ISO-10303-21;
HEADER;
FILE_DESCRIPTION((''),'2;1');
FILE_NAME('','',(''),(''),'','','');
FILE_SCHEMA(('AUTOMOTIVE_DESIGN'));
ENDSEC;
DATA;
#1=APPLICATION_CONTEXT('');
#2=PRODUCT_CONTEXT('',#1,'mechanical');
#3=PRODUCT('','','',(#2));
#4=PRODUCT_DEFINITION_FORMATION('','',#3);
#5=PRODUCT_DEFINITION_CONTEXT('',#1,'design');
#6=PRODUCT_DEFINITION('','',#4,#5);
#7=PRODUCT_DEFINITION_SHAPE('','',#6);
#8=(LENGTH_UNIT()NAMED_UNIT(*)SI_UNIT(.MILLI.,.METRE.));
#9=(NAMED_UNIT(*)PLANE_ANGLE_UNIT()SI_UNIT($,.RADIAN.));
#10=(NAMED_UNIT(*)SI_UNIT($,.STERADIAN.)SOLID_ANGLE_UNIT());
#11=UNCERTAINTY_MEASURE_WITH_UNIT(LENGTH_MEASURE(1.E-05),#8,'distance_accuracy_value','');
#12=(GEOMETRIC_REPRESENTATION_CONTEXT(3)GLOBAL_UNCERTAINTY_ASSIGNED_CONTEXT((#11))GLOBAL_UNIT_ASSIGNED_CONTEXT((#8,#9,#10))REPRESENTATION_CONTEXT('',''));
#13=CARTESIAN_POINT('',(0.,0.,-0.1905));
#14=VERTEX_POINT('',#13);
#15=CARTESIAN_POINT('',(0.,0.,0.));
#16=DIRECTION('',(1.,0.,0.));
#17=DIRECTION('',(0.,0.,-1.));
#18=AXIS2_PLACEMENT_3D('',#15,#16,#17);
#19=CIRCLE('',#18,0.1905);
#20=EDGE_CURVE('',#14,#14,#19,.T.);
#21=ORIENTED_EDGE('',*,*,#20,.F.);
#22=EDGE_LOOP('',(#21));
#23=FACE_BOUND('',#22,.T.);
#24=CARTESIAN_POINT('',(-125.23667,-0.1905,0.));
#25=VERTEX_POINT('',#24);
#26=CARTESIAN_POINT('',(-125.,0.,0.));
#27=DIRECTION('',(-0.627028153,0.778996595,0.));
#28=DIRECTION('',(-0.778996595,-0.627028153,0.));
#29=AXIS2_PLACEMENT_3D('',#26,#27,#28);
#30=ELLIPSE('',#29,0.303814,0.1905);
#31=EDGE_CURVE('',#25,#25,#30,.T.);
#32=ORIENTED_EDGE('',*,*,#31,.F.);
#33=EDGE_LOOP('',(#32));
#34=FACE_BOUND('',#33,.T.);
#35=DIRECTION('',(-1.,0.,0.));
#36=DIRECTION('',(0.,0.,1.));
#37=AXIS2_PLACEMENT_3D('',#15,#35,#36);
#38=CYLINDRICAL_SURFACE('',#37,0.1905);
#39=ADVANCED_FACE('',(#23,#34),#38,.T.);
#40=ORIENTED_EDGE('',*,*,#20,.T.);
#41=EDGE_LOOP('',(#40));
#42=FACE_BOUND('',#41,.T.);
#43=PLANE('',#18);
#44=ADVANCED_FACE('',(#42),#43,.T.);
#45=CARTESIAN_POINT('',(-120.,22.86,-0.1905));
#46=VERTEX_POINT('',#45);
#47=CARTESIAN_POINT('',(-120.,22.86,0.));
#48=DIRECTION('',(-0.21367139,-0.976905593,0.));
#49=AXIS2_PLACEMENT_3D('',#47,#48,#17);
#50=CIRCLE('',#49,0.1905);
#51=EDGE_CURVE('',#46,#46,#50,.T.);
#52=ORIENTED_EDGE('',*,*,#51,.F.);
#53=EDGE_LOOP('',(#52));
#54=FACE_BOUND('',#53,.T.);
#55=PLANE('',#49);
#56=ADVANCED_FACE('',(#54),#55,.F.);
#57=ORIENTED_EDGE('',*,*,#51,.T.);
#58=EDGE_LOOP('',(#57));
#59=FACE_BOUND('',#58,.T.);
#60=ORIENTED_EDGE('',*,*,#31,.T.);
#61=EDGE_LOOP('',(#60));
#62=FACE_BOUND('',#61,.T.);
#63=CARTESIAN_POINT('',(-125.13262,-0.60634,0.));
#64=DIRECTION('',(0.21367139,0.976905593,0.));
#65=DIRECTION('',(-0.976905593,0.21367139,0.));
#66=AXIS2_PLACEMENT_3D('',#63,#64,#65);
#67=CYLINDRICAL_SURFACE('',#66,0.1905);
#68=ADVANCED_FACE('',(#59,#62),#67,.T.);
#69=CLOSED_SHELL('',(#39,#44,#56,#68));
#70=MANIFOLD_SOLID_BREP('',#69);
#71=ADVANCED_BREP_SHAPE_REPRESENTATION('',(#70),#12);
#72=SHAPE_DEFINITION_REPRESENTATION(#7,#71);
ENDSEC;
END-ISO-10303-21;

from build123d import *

# Parameters (mm, degrees)
SKETCH2_R = 0.1905


with BuildPart() as part:
    # Sweep1: sweep along a path in Sketch1
    with BuildLine(Plane.XY) as sweep1_path:
        Line((0, 0), (-125, 0))
        Line((-125, 0), (-120, 22.86))
    # Sketch2 → Sweep1 (sweep)
    with BuildSketch(Plane(origin=(0, 0, 0), x_dir=(0, 0, -1), z_dir=(1, 0, 0))):
        Circle(SKETCH2_R)
    sweep(path=sweep1_path.line, transition=Transition.RIGHT)


solid = part.part
